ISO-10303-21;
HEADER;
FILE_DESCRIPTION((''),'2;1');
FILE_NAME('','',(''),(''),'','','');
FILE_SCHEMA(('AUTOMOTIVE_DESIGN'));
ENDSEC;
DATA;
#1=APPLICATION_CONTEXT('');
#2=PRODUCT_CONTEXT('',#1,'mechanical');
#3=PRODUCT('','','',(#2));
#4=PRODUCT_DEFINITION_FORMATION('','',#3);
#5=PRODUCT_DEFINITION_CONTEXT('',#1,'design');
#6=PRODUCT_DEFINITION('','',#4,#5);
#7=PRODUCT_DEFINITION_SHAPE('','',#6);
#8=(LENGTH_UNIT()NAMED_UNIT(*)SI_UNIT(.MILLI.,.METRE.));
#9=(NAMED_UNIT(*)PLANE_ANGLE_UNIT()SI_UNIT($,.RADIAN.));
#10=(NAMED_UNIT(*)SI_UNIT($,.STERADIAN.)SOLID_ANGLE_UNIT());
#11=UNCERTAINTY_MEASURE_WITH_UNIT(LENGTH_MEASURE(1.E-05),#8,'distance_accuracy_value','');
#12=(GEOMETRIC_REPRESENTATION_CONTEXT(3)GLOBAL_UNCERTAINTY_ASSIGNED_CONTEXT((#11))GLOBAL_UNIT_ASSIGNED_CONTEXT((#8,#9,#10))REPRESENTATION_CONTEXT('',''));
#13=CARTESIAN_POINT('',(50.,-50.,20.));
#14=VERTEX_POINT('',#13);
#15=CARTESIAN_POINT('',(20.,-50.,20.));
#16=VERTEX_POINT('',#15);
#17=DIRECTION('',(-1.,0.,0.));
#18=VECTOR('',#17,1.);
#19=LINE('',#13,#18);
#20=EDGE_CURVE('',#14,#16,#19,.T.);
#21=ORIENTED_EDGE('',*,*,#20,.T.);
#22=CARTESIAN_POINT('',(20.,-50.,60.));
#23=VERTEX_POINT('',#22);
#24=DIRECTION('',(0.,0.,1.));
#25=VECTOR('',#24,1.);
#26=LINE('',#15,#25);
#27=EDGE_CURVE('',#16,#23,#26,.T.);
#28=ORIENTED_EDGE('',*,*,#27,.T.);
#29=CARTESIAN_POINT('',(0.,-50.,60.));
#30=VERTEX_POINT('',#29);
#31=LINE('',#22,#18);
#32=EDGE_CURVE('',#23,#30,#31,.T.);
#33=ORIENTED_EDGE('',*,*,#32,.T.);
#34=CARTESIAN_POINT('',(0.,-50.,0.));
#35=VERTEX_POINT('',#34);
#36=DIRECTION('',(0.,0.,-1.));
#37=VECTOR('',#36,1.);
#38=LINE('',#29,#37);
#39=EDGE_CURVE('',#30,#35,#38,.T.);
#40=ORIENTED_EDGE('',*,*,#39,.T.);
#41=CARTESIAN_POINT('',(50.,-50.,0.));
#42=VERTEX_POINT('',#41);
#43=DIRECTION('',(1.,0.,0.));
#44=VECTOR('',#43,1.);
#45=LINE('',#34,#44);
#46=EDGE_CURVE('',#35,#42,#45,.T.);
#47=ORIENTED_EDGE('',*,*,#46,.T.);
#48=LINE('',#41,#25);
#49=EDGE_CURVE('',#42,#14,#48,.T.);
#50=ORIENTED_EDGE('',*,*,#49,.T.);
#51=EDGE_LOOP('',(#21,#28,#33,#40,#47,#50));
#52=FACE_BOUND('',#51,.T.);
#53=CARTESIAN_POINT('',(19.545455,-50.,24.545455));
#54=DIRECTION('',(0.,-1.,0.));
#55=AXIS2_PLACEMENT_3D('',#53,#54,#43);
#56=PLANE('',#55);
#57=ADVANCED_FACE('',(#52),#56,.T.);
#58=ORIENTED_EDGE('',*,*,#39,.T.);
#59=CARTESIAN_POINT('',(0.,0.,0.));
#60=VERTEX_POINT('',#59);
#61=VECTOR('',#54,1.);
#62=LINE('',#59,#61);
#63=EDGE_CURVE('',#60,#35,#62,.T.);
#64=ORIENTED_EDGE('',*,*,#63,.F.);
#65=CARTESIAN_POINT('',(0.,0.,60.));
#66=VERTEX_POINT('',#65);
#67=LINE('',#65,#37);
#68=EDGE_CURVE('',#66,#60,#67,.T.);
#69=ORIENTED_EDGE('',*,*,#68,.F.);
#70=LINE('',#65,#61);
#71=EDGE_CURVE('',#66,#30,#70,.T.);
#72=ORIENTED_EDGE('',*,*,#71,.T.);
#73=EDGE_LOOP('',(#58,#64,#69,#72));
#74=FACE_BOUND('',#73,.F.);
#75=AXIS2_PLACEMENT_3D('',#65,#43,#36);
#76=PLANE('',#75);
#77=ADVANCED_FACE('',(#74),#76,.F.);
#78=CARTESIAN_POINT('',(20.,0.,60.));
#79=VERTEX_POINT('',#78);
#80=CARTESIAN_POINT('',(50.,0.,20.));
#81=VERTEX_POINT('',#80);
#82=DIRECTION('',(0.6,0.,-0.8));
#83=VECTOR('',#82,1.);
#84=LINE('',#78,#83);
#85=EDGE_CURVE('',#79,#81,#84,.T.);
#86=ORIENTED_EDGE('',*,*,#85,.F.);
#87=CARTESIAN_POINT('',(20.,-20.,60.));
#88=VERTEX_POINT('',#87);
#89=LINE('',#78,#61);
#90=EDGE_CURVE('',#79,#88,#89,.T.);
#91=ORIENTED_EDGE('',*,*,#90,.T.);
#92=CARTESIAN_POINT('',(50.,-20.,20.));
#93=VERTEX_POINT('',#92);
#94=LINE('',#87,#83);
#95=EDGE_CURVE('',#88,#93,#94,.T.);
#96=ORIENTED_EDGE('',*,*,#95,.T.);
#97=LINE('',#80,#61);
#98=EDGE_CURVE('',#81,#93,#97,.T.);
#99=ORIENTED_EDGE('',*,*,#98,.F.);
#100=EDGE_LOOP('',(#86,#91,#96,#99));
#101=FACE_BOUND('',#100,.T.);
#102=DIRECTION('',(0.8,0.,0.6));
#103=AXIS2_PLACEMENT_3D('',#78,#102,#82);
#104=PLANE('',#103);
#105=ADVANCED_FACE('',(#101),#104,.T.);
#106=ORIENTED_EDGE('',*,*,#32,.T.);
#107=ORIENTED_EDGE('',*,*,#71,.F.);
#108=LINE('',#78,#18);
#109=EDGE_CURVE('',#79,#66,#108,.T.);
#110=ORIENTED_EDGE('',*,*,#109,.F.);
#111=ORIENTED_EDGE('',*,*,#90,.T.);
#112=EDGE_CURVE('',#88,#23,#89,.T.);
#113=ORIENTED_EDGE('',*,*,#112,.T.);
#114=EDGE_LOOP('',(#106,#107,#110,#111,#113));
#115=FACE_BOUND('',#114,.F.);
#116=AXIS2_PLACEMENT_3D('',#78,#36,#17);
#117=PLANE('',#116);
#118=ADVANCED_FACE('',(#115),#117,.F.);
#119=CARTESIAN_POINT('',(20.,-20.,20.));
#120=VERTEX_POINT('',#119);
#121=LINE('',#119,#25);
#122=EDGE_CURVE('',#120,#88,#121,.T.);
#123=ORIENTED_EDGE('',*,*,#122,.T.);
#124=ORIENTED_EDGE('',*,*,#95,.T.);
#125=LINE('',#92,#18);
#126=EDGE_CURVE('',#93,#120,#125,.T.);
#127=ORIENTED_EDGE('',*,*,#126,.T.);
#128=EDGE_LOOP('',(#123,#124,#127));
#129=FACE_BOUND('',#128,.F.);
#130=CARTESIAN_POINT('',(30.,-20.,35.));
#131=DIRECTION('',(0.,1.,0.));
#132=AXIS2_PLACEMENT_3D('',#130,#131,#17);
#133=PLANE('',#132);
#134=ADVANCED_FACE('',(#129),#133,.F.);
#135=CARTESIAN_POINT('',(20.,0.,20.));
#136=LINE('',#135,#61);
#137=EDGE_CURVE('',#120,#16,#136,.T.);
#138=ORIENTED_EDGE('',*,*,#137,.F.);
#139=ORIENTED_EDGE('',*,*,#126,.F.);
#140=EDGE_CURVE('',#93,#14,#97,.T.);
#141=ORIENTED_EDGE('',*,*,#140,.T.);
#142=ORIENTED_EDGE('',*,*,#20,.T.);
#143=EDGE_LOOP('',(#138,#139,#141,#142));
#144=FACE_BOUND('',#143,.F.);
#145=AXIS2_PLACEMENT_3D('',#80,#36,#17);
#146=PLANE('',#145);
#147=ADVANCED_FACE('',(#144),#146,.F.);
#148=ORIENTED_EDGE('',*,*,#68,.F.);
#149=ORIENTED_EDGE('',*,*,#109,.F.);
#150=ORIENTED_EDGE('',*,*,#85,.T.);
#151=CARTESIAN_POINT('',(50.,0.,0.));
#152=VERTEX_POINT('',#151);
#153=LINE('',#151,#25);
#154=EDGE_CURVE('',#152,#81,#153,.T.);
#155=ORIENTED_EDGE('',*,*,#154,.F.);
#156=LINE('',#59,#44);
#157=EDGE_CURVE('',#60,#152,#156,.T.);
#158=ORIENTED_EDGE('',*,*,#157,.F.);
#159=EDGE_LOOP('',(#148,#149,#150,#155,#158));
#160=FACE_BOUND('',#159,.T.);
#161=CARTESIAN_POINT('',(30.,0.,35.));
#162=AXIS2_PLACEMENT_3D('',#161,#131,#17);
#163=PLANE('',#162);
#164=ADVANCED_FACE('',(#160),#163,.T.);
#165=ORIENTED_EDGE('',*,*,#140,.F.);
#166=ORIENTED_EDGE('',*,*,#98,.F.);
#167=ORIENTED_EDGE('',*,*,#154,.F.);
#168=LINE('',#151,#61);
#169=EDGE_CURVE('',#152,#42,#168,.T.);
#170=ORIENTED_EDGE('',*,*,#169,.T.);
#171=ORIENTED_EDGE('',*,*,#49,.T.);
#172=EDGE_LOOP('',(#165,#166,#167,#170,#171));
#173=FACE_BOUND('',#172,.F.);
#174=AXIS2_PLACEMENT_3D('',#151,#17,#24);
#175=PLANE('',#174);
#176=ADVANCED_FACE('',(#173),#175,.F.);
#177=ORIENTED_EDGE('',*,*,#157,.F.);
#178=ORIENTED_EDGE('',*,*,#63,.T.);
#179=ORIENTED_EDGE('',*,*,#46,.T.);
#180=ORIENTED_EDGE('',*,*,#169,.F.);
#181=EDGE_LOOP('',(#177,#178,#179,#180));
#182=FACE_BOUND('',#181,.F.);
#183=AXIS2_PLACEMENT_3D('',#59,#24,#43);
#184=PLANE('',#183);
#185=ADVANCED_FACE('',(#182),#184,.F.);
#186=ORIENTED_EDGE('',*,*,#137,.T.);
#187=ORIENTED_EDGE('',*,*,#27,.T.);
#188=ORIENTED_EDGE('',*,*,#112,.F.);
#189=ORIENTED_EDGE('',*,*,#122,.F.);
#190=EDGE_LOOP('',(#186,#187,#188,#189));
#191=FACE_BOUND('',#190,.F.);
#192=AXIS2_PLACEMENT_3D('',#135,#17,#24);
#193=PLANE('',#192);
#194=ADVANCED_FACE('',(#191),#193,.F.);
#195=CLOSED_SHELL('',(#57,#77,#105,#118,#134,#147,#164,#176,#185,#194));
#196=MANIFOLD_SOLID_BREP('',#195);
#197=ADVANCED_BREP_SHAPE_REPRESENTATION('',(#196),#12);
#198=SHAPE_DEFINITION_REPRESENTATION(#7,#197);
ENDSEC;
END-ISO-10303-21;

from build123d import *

# Parameters (mm, degrees)
F1_DEPTH = 50
F3_DEPTH = 20


with BuildPart() as f1:
    # F0 (on Front) → F1 (new body)
    with BuildSketch(Plane.XZ):
        Polygon((0, 60), (0, 0), (50, 0), (50, 20), (20, 20), (20, 60), align=None)
    extrude(amount=F1_DEPTH)

    # F2 (on face) → F3 (join)
    with BuildSketch(Plane(origin=(0, 0, 0), x_dir=(-1, 0, 0), z_dir=(0, 1, 0))):
        Polygon((-20, 20), (-20, 60), (-50, 20), align=None)
    extrude(amount=-F3_DEPTH)


solid = f1.part
